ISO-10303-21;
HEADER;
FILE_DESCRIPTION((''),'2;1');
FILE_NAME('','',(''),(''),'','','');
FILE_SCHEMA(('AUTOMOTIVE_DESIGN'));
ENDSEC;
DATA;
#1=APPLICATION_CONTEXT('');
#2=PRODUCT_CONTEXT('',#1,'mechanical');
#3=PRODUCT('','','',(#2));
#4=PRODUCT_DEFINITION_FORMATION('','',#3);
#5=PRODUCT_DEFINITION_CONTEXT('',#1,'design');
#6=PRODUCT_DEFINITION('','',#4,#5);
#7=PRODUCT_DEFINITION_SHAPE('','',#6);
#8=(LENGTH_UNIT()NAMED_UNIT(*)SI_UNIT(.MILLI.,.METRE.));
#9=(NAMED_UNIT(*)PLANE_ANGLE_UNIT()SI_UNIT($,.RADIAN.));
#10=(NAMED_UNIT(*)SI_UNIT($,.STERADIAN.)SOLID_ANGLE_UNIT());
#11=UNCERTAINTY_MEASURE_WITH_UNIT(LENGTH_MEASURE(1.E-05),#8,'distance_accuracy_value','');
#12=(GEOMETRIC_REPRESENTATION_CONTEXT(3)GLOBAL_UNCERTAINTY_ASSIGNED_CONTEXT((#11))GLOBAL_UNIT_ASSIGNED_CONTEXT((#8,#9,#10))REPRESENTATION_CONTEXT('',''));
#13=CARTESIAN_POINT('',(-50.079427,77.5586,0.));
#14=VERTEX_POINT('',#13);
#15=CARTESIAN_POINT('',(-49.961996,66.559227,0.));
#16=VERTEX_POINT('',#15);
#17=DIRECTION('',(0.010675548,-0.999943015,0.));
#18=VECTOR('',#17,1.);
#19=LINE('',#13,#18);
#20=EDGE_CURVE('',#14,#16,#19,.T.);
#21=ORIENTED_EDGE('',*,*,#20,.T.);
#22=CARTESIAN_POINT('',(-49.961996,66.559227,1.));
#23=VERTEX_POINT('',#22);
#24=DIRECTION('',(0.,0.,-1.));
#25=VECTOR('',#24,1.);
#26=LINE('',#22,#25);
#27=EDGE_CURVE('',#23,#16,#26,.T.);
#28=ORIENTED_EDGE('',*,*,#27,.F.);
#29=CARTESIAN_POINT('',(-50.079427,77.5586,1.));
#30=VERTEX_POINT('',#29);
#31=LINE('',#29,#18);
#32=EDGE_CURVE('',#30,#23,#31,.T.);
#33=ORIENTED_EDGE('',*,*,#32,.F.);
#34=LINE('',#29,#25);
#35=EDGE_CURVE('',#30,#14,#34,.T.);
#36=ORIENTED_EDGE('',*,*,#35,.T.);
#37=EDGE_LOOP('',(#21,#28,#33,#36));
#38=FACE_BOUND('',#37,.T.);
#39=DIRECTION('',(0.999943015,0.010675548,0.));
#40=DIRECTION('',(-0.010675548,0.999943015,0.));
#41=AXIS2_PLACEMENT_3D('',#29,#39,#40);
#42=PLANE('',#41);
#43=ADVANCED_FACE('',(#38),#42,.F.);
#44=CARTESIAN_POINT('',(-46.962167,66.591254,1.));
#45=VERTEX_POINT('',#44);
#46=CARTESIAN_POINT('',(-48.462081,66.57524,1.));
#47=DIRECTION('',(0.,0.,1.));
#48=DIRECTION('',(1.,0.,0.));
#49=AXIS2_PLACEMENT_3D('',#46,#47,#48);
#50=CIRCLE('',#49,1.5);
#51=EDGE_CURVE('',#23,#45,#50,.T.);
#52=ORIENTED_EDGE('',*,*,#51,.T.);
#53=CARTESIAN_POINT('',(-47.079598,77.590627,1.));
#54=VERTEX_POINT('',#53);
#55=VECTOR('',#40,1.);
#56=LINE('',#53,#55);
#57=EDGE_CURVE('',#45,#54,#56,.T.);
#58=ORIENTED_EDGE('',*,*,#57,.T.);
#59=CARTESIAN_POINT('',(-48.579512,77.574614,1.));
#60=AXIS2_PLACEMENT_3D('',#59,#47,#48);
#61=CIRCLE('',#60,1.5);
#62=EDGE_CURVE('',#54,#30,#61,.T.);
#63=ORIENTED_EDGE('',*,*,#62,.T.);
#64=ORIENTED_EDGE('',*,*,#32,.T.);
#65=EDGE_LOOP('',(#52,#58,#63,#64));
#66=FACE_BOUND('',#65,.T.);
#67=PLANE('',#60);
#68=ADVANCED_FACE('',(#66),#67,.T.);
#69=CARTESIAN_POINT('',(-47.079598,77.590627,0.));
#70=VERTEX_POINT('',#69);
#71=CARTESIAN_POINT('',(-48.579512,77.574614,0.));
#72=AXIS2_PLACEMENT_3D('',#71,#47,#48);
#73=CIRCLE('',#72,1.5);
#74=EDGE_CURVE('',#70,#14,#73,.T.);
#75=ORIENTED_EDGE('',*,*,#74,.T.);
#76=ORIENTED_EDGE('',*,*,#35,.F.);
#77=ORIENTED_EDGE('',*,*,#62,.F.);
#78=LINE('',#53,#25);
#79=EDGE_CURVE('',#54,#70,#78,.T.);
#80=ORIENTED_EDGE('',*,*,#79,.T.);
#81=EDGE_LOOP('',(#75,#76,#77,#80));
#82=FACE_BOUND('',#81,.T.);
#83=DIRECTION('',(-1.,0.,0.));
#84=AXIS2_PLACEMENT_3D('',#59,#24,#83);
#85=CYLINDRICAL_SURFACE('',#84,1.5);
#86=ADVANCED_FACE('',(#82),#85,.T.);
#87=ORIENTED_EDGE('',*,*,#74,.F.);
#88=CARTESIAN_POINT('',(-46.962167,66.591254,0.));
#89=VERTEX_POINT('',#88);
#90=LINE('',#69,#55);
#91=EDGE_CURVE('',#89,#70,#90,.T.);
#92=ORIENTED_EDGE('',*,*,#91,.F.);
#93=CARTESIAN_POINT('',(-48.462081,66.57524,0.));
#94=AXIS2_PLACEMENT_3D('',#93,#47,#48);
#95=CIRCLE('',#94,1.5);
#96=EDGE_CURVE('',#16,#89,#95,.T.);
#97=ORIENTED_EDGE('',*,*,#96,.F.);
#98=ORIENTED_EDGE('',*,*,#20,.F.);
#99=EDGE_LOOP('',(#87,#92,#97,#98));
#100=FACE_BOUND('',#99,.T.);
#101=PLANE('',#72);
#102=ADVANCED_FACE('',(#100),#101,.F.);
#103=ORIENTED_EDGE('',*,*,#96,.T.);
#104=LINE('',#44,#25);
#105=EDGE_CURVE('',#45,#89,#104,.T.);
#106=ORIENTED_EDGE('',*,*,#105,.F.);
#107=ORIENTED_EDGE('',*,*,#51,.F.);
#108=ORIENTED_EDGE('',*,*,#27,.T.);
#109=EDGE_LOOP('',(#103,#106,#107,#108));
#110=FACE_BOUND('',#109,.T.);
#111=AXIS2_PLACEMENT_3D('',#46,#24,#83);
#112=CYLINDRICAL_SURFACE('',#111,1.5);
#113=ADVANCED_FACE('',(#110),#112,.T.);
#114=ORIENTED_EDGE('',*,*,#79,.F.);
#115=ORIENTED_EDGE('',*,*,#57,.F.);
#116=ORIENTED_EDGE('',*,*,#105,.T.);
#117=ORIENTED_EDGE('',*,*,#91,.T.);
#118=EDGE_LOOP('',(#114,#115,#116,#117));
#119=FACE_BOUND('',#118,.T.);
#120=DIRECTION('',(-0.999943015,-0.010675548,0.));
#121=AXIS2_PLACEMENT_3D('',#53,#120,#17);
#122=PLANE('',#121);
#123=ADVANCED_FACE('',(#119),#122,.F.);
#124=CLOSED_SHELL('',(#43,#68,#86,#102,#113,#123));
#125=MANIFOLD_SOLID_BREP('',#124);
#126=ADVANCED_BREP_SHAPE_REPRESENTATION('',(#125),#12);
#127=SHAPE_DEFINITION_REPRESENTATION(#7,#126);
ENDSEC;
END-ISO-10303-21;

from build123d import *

# Parameters (mm, degrees)
EXTRUDE_2_DEPTH = 1


with BuildPart() as part:
    # 草图1 → 凸台-拉伸2 (new body)
    with BuildSketch(Plane.XY):
        with BuildLine():
            Line((-47.079597586, 77.590626898), (-46.962166555, 66.591253736))
            ThreePointArc((-46.962166555, 66.591253736), (-48.446067755, 65.075325891), (-49.9619956, 66.559227091))
            Line((-49.9619956, 66.559227091), (-50.07942663, 77.558600253))
            ThreePointArc((-50.07942663, 77.558600253), (-48.59552543, 79.074528097), (-47.079597586, 77.590626898))
        make_face()
    extrude(amount=EXTRUDE_2_DEPTH)


solid = part.part
